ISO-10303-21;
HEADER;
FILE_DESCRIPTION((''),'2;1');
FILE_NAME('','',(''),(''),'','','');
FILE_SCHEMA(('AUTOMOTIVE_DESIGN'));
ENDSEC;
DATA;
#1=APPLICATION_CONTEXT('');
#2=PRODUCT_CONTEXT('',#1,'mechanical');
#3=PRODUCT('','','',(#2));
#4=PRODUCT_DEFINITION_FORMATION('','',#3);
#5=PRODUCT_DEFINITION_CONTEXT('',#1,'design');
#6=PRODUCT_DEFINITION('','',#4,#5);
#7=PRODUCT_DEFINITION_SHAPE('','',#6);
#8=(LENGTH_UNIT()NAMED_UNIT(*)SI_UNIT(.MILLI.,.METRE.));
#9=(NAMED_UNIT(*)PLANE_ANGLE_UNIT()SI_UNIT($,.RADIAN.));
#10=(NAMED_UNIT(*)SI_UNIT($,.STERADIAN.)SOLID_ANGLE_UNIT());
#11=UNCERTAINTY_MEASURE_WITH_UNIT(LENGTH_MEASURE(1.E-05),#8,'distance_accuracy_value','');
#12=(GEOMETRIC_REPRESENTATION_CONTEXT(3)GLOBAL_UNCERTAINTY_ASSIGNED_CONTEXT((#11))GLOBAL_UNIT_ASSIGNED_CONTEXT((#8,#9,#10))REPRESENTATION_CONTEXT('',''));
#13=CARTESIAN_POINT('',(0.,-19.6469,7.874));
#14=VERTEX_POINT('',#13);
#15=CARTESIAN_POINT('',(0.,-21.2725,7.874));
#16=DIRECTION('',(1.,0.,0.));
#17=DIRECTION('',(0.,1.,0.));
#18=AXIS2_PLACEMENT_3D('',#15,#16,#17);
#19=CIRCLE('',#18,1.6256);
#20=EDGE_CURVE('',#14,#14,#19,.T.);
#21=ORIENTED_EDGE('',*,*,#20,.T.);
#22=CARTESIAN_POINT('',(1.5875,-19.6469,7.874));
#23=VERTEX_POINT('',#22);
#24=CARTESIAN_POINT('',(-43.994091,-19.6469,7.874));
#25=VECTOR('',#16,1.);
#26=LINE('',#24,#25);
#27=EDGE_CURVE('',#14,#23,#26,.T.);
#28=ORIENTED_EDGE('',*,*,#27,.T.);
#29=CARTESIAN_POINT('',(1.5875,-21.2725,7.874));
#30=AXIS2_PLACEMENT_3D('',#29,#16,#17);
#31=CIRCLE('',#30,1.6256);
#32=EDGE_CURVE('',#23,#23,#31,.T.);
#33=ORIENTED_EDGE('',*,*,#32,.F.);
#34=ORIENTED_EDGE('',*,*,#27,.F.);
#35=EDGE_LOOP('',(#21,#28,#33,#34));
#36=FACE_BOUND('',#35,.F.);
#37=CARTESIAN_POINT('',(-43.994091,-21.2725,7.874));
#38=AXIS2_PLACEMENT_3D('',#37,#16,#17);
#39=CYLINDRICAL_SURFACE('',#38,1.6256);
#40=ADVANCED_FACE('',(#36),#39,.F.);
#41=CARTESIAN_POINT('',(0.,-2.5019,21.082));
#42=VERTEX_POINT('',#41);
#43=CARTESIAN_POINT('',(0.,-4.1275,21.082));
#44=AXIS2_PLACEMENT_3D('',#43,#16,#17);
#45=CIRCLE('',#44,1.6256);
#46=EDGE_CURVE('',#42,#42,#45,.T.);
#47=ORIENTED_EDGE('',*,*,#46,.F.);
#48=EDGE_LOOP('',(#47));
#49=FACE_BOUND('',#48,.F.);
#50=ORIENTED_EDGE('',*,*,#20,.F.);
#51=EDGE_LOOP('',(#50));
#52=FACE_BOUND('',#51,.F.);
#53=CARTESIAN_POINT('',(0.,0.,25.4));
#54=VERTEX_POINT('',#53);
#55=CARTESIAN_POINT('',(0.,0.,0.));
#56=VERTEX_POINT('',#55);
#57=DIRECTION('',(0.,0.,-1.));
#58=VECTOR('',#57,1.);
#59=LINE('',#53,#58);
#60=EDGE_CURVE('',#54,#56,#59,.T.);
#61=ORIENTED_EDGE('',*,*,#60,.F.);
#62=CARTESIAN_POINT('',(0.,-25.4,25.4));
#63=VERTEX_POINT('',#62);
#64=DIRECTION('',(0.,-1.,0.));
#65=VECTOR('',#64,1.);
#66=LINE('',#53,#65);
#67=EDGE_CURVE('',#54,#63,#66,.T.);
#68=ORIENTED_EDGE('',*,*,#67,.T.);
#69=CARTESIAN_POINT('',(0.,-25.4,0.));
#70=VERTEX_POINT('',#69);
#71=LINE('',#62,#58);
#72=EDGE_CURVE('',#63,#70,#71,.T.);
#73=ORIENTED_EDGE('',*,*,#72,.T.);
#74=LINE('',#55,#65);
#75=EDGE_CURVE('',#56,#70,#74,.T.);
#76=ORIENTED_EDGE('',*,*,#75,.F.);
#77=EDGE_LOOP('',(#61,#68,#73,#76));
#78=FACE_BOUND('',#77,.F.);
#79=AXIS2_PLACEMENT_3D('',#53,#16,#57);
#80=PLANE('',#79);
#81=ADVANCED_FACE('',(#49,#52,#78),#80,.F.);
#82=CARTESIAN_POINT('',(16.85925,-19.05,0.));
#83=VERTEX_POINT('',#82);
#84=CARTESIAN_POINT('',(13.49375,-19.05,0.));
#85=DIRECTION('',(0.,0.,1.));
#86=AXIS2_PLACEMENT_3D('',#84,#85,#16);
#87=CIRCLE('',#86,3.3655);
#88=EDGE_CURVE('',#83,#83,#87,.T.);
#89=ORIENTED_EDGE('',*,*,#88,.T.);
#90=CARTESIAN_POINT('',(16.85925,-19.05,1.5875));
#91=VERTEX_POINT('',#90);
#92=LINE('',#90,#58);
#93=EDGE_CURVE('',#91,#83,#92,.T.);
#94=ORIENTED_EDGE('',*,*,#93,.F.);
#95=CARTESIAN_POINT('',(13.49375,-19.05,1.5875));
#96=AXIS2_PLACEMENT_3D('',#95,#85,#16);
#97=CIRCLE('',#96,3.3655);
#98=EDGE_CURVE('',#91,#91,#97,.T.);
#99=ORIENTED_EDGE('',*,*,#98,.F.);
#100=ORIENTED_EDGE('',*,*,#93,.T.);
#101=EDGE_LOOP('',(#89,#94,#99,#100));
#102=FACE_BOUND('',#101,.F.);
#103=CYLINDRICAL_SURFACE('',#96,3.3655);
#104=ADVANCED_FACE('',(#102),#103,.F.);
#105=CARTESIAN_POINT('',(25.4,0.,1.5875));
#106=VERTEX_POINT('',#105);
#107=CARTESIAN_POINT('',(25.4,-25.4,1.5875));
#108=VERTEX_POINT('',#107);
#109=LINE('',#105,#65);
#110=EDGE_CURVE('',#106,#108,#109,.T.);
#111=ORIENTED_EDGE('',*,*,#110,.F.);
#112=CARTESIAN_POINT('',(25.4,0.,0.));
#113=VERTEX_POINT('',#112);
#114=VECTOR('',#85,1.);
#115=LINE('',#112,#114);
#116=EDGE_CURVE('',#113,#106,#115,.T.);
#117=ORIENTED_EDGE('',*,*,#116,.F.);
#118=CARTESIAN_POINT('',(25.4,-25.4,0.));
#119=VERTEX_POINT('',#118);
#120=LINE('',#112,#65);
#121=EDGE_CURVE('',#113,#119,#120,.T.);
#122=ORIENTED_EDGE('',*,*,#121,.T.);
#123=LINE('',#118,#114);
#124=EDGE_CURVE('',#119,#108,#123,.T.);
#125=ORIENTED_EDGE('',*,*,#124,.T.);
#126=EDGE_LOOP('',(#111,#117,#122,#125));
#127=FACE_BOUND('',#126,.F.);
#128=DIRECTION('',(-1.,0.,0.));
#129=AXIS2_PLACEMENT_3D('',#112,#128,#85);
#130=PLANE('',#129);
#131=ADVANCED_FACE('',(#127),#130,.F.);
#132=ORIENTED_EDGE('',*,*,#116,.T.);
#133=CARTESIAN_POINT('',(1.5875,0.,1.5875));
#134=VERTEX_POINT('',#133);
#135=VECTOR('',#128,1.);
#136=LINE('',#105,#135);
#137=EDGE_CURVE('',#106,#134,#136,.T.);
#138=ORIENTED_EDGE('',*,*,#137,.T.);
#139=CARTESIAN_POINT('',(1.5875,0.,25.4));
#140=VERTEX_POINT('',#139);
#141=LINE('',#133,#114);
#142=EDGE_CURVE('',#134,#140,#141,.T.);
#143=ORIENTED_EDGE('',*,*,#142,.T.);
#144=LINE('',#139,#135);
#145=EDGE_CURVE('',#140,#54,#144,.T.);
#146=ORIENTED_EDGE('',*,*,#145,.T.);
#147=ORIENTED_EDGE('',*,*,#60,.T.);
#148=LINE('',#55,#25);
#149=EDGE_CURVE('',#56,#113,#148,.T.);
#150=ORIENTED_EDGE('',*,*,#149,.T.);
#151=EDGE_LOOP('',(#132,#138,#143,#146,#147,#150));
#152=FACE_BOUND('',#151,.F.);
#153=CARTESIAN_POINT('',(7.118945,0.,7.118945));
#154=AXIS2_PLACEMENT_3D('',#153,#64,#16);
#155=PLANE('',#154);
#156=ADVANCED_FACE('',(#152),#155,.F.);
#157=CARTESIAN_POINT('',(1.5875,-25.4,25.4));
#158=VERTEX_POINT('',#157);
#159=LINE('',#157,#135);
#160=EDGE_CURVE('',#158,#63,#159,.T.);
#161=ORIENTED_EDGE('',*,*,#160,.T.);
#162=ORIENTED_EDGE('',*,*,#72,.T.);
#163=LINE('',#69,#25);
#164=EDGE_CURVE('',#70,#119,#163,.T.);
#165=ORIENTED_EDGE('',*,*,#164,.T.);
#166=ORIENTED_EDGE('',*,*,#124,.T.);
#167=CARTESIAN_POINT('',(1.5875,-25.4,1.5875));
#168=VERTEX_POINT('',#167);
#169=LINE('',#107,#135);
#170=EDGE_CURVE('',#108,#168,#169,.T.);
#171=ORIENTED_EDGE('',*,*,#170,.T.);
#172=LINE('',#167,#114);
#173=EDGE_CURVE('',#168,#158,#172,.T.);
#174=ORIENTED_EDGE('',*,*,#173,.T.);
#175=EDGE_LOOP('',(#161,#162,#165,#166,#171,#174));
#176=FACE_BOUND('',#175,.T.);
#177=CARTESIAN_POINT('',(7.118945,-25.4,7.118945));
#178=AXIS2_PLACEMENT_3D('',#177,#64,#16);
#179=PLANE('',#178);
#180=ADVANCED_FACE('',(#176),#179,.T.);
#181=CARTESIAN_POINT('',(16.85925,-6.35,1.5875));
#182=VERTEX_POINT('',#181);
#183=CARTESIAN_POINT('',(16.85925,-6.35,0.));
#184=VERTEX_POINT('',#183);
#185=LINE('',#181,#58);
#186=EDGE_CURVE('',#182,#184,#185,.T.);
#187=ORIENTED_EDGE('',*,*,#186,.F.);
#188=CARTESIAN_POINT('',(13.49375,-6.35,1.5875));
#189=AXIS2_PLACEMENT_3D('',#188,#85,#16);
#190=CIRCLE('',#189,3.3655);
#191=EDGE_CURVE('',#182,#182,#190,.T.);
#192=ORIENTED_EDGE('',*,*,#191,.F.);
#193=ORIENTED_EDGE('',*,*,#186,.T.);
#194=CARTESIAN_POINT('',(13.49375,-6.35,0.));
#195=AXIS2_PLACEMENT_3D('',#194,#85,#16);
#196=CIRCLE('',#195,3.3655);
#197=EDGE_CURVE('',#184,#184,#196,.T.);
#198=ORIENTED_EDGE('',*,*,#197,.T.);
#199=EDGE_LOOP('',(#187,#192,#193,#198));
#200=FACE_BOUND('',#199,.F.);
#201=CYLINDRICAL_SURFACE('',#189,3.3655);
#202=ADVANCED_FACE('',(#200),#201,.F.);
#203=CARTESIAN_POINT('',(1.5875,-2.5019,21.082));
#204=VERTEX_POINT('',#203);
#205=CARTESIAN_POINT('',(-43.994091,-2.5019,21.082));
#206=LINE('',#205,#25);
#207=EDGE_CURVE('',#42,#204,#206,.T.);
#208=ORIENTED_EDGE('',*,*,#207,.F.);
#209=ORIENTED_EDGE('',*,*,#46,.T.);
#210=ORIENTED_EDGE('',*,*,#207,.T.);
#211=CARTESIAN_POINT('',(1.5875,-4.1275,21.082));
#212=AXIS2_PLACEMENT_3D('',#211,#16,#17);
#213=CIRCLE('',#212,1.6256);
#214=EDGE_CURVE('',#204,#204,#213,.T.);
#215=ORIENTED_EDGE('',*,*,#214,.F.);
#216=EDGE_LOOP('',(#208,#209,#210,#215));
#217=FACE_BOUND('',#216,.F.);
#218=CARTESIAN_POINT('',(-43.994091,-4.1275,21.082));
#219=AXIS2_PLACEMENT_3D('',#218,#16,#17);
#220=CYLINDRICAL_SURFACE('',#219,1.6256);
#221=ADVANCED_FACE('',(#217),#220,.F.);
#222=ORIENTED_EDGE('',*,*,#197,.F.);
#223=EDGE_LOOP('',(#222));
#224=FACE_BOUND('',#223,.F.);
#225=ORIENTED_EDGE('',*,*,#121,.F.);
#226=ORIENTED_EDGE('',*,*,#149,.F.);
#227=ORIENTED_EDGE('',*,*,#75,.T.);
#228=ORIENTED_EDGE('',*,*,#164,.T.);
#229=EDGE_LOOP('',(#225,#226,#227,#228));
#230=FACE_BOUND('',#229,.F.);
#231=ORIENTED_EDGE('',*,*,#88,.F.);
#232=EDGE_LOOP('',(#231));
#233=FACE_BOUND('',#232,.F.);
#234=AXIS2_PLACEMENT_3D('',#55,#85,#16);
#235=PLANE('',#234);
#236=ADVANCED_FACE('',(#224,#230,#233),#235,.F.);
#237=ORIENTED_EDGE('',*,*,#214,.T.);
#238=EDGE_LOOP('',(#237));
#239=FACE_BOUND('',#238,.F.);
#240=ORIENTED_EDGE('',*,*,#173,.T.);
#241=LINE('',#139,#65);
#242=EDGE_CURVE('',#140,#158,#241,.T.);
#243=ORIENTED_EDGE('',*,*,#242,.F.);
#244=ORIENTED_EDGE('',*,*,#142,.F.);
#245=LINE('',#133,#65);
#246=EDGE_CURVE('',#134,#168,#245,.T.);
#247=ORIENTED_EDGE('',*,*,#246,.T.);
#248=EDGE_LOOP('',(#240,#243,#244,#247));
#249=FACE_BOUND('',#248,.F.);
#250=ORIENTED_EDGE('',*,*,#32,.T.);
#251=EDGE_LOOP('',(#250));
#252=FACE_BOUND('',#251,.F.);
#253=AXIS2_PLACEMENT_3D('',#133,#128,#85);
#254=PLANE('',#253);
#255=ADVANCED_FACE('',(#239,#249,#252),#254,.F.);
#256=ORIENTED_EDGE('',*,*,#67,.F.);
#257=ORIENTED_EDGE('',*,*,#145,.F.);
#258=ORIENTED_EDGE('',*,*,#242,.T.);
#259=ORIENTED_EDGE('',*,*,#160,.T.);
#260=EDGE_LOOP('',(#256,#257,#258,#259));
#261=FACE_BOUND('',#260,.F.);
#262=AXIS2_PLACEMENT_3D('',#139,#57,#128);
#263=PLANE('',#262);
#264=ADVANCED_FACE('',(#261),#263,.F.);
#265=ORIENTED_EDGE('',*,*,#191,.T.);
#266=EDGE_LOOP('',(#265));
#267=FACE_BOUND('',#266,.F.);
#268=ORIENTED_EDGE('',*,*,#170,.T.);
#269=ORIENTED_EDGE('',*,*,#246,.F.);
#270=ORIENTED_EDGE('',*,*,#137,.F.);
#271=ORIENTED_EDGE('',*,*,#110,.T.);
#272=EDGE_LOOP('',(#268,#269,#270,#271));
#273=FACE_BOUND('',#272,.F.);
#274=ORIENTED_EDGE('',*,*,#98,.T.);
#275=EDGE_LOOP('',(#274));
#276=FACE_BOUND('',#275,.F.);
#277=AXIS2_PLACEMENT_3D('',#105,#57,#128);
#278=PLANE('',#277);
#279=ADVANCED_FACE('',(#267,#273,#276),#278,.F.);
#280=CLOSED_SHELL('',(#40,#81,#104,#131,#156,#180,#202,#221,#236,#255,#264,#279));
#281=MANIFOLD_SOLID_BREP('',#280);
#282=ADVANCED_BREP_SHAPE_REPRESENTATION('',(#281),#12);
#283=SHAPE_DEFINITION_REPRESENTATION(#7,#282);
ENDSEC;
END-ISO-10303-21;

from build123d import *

# Parameters (mm, degrees)
F1_DEPTH = 25.4
F3_D     = 3.2512
F4_R     = 3.3655
F5_DEPTH = 25.4


with BuildPart() as f1:
    # F0 (on Front) → F1 (new body)
    with BuildSketch(Plane.XZ):
        Polygon((1.5875, 25.4), (0, 25.4), (0, 0), (25.4, 0), (25.4, 1.5875), (1.5875, 1.5875), align=None)
    extrude(amount=F1_DEPTH)

    # F3 (through all)
    with Locations(Plane(origin=(0, 0, 0), x_dir=(0, -1, 0), z_dir=(-1, 0, 0))):
        with Locations((4.1275, 21.082), (21.2725, 7.874)):
            Hole(F3_D / 2)

    # F4 (on face) → F5 (cut)
    with BuildSketch(Plane.XY.offset(1.5875)):
        with Locations((13.49375, -19.05)):
            Circle(F4_R)
        with Locations((13.49375, -6.35)):
            Circle(F4_R)
    extrude(amount=-F5_DEPTH, mode=Mode.SUBTRACT)


solid = f1.part
